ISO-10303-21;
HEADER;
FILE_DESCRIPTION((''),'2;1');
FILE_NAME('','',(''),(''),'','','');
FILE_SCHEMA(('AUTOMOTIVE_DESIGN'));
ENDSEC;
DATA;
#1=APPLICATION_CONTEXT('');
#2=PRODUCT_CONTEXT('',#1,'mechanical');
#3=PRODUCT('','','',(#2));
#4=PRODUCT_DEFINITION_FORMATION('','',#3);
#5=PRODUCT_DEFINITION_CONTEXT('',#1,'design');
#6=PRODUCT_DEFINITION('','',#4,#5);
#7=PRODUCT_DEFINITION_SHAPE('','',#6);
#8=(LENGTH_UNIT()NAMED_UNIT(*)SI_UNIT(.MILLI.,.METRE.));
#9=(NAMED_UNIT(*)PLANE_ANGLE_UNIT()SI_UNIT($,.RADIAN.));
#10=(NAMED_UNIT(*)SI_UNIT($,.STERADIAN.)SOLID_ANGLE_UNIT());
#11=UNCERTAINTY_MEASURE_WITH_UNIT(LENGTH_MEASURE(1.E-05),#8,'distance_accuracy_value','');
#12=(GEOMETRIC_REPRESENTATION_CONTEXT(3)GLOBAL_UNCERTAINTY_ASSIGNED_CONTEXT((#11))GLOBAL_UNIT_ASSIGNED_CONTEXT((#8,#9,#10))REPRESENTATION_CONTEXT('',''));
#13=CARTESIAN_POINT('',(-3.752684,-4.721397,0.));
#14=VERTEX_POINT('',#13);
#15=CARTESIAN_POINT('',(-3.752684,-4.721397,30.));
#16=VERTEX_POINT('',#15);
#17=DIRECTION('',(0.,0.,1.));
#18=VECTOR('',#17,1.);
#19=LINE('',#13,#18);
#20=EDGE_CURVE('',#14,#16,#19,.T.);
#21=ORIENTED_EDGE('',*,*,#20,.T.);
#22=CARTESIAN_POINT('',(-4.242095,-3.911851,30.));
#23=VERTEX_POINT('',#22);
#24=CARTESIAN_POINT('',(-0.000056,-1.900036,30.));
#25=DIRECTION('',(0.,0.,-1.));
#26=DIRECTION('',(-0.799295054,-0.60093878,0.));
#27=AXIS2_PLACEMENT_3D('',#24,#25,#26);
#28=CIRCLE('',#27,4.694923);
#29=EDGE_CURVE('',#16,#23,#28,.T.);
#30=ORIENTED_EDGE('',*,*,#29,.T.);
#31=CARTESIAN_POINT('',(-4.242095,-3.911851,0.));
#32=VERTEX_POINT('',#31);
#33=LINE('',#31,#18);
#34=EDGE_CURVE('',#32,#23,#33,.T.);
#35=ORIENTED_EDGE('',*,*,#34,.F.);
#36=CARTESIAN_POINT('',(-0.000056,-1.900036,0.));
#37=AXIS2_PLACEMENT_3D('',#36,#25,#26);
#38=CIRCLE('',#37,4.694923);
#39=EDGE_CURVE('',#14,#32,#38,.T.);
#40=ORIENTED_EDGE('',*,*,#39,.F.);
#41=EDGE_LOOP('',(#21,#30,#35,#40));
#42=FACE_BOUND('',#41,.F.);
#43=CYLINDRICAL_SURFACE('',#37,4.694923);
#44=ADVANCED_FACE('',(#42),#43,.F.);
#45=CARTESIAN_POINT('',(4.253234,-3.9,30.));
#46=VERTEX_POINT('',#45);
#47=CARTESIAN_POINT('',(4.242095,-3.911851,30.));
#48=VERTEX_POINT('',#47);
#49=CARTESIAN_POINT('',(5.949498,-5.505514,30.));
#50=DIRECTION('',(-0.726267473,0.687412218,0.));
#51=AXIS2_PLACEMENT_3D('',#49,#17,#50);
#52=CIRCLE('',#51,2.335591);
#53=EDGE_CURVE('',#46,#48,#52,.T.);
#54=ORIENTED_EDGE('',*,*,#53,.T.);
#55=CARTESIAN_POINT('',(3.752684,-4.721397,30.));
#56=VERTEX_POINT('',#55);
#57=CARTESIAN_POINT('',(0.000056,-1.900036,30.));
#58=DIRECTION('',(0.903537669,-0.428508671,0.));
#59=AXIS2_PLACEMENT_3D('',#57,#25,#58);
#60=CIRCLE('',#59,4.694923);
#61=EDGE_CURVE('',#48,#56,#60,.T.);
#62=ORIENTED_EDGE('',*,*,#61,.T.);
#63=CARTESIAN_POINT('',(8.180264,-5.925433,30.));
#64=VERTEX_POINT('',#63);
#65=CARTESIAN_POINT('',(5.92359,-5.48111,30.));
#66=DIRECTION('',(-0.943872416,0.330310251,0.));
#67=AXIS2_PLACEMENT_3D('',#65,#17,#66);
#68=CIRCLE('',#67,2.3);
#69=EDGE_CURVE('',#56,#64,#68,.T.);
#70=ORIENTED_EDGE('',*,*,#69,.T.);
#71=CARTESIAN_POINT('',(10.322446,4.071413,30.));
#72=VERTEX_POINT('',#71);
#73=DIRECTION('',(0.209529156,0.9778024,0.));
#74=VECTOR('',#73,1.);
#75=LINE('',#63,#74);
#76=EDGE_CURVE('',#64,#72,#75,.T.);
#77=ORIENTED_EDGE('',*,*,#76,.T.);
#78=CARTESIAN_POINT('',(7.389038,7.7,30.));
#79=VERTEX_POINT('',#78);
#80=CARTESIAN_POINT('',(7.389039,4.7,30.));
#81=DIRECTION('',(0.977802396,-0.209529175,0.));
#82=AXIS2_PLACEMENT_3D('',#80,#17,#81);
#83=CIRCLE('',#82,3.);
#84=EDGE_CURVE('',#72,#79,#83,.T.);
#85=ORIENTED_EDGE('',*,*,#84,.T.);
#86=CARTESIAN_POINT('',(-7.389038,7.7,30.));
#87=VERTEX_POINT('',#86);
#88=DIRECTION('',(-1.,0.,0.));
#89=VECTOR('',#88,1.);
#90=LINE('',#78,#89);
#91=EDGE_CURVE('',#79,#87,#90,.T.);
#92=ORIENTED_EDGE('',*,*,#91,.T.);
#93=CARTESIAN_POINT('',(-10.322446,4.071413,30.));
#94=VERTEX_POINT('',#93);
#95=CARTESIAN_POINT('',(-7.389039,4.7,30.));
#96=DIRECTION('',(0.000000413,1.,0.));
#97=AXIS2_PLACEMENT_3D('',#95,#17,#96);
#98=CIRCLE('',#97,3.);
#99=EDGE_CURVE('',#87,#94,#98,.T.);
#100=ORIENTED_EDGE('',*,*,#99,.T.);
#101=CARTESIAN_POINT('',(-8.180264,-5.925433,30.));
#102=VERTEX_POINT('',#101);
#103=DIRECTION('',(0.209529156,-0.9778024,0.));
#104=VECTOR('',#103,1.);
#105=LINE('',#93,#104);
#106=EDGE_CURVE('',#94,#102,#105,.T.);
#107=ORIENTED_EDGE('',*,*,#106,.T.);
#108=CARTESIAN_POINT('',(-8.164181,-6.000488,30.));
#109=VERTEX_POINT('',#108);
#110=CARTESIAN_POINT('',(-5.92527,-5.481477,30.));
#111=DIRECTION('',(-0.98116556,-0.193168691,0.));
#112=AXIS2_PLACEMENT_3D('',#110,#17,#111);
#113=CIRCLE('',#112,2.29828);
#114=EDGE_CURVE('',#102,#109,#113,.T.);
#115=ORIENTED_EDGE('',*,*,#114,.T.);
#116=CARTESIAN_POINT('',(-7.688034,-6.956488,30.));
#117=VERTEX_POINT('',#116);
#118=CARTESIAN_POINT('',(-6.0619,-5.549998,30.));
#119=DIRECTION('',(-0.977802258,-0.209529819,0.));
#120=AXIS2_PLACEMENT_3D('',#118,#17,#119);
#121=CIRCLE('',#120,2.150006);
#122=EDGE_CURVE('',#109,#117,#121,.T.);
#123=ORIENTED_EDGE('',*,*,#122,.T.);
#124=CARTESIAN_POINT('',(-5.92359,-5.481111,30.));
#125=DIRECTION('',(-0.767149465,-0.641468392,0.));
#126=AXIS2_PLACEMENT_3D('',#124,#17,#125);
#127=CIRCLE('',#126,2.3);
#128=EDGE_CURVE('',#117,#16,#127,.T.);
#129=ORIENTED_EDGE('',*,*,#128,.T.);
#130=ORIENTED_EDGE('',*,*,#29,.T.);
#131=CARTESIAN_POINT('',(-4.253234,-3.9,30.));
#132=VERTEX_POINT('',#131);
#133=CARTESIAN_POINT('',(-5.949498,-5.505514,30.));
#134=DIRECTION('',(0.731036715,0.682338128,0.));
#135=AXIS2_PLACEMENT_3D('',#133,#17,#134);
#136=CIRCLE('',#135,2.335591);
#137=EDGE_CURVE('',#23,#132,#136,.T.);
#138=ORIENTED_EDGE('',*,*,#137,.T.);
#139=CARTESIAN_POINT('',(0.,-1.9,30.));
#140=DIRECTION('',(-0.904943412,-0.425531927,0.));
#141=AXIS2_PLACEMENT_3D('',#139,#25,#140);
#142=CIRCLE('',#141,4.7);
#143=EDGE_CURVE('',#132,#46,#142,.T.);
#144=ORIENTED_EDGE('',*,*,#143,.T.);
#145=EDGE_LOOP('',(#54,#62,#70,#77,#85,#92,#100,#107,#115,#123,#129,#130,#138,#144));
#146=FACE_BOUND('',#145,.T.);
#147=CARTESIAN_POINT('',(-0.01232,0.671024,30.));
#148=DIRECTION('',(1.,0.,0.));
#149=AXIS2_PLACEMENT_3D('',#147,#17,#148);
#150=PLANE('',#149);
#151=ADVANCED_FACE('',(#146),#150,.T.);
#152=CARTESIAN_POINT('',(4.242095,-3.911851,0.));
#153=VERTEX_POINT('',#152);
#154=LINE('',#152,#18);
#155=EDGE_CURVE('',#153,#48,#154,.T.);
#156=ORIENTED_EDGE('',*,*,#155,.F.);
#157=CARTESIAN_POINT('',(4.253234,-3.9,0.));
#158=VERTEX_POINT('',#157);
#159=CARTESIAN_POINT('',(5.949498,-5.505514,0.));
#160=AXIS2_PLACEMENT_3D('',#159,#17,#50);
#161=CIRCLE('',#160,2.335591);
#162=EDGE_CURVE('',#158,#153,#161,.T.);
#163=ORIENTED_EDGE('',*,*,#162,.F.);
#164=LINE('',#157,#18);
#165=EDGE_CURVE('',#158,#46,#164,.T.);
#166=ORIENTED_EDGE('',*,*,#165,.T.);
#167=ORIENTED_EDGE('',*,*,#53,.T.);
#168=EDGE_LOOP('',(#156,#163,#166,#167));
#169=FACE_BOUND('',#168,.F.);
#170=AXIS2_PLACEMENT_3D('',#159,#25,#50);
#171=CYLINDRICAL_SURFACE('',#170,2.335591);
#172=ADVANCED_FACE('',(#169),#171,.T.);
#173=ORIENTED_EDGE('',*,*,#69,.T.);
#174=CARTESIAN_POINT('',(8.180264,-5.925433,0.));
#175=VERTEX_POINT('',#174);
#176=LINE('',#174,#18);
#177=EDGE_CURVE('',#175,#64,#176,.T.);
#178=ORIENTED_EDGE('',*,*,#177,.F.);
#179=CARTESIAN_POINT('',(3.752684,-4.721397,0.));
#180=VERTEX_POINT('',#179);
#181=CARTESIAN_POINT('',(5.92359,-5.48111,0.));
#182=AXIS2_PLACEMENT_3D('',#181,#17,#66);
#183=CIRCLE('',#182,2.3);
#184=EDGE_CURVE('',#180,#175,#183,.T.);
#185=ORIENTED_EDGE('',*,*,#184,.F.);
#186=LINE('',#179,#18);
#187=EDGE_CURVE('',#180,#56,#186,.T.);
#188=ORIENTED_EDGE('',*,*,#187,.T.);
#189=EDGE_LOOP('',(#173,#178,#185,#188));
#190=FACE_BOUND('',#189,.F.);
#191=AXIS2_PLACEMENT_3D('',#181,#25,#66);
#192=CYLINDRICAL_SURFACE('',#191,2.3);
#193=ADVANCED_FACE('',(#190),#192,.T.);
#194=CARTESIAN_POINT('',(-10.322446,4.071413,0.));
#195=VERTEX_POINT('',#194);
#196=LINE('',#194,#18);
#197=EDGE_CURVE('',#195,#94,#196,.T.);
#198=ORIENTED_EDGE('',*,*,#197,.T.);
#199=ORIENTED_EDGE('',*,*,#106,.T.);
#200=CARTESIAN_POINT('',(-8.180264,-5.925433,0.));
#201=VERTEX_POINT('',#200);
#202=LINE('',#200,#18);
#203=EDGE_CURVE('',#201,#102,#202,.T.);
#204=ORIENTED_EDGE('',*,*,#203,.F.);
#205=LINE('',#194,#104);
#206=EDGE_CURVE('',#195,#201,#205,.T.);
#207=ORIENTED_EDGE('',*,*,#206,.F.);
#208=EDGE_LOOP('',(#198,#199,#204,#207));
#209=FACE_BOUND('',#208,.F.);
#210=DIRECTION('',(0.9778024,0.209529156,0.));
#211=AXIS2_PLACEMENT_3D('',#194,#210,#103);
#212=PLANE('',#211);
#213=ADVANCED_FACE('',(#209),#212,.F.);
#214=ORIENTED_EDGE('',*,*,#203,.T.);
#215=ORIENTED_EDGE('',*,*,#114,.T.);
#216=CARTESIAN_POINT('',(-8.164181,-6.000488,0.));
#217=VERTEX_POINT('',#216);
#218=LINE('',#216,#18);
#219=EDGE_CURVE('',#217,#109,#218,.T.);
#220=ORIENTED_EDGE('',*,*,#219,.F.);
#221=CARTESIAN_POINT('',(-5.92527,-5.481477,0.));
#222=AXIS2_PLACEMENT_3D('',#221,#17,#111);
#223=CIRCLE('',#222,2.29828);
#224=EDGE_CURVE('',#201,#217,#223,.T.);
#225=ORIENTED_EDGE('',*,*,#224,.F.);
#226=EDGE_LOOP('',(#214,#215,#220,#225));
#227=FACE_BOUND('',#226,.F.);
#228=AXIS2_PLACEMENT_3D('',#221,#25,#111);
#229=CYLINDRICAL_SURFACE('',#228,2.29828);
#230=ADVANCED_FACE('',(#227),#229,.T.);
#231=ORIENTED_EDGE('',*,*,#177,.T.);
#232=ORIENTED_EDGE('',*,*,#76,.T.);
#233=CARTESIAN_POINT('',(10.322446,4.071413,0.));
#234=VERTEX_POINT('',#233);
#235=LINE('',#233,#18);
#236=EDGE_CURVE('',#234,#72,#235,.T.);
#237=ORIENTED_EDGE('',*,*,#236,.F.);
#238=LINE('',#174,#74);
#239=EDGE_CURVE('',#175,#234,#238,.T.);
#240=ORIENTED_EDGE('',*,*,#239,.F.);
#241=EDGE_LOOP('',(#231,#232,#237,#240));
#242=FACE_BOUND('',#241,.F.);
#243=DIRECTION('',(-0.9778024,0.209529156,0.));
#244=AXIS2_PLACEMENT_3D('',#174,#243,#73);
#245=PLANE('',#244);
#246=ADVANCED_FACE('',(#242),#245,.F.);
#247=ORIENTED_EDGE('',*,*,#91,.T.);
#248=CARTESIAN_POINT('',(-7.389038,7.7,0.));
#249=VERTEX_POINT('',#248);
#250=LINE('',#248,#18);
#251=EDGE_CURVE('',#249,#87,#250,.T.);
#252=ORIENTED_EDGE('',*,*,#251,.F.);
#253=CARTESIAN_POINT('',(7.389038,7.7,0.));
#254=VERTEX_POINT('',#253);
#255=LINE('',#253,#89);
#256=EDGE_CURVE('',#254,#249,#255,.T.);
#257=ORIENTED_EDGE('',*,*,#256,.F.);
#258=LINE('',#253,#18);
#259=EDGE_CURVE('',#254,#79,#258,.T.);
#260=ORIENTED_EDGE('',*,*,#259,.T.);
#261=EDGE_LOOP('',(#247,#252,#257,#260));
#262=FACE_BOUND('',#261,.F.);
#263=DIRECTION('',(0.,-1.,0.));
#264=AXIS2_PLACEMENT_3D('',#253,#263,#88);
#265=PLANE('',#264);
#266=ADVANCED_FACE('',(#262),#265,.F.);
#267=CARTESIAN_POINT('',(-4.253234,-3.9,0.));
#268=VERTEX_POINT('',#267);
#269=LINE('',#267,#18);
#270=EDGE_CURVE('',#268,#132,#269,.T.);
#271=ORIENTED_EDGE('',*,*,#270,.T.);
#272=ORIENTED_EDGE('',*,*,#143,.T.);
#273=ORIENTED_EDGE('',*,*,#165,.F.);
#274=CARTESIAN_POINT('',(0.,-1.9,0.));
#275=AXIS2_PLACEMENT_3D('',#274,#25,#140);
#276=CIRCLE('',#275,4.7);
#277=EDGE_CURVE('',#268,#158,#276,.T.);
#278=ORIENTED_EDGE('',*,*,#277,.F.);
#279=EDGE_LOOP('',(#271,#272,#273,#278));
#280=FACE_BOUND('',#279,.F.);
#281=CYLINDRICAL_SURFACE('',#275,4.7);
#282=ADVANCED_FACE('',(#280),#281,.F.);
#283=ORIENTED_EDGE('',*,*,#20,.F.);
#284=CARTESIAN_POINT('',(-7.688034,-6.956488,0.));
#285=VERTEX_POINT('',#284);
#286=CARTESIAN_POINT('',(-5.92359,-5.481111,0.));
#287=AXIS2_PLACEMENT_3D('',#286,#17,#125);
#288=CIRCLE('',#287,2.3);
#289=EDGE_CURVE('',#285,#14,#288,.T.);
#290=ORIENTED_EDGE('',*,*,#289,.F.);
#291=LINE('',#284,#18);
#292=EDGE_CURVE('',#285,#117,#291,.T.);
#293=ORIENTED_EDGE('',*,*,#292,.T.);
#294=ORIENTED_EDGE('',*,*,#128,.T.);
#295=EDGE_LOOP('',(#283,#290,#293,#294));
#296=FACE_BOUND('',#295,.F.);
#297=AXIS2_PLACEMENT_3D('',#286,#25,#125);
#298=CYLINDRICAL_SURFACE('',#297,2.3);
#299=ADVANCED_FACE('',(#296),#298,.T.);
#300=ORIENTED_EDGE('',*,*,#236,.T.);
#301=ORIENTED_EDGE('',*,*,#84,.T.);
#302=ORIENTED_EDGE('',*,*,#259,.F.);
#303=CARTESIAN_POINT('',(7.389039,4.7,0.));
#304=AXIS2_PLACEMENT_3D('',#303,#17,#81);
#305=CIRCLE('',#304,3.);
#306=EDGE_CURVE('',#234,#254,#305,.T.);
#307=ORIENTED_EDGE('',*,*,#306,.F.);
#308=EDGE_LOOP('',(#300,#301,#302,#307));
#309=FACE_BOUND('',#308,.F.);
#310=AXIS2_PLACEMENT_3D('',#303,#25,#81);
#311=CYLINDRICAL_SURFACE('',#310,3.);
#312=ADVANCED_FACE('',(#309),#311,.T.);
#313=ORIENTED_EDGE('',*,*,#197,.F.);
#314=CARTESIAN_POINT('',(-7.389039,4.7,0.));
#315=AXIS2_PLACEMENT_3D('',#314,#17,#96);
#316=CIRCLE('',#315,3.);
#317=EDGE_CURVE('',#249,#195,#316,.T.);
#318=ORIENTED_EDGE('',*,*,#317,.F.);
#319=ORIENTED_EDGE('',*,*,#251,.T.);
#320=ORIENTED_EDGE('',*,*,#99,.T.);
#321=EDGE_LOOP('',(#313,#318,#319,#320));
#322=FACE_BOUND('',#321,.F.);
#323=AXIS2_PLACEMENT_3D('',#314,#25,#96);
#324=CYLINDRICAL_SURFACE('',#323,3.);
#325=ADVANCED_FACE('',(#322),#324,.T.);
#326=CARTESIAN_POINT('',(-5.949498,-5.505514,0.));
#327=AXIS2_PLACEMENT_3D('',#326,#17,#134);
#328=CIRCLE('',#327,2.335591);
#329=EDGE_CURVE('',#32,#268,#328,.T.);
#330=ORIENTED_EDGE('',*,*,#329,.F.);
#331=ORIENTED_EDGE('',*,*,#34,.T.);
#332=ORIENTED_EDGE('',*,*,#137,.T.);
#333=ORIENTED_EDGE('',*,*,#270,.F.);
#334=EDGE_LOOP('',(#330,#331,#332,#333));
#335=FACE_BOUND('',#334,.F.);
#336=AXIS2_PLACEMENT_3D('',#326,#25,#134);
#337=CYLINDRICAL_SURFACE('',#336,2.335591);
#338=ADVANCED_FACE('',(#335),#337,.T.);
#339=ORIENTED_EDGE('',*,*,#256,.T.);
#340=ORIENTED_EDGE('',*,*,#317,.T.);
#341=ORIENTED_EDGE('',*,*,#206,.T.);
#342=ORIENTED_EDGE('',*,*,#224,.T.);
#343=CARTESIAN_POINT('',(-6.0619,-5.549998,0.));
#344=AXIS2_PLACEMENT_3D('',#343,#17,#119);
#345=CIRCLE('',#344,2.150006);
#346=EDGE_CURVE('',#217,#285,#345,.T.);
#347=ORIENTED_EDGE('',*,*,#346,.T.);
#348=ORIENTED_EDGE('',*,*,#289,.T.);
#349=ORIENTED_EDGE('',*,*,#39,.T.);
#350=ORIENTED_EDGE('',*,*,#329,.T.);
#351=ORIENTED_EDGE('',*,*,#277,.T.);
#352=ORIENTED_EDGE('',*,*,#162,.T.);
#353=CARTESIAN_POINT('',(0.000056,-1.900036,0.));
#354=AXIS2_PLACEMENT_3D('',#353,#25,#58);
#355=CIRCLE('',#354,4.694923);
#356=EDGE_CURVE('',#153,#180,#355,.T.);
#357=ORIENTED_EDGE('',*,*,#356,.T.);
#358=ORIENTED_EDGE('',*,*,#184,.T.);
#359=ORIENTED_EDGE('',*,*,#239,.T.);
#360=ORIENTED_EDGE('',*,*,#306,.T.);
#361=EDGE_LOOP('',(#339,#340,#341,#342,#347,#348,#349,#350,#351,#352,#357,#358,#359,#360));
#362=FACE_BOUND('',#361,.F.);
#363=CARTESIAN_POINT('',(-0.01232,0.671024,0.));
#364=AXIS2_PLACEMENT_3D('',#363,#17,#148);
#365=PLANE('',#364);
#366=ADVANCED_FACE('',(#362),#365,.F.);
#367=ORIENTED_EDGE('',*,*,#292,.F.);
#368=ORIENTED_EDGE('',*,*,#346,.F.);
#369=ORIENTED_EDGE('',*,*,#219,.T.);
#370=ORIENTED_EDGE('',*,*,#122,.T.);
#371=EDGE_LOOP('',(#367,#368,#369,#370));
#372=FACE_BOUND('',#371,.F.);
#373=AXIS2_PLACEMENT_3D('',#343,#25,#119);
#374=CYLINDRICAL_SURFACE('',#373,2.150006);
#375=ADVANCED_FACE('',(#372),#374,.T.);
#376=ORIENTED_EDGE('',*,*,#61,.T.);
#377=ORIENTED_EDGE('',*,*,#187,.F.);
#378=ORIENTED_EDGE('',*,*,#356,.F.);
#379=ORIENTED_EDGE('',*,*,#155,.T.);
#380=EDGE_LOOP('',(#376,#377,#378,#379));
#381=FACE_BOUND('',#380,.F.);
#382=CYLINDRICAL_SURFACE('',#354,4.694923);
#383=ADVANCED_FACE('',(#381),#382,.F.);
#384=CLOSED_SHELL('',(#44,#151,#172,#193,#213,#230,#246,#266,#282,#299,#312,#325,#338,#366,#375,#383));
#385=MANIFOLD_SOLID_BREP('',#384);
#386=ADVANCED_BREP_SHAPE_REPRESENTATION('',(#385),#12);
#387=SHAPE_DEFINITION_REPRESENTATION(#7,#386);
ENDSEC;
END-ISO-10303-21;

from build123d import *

# Parameters (mm, degrees)
F1_DEPTH = 30


with BuildPart() as f1:
    # F0 (on Top) → F1 (new body)
    with BuildSketch(Plane.XY):
        with BuildLine():
            ThreePointArc((3.752684, -4.721397), (5.320047, -7.70051), (8.180264, -5.925433))
            Line((8.180264, -5.925433), (10.322446, 4.071413))
            ThreePointArc((10.322446, 4.071413), (9.722037, 6.586033), (7.389038, 7.7))
            Line((7.389038, 7.7), (-7.389038, 7.7))
            ThreePointArc((-7.389038, 7.7), (-9.722037, 6.586033), (-10.322446, 4.071413))
            Line((-10.322446, 4.071413), (-8.180264, -5.925433))
            Line((-8.180264, -5.925433), (-8.164181, -6.000488))
            ThreePointArc((-8.164181, -6.000488), (-7.982367, -6.506508), (-7.688034, -6.956488))
            ThreePointArc((-7.688034, -6.956488), (-4.787716, -7.481058), (-3.752684, -4.721397))
            ThreePointArc((-3.752684, -4.721397), (-4.017831, -4.328982), (-4.242095, -3.911851))
            ThreePointArc((-4.242095, -3.911851), (-4.247654, -3.905916), (-4.253234, -3.9))
            ThreePointArc((-4.253234, -3.9), (0, 2.8), (4.253234, -3.9))
            ThreePointArc((4.253234, -3.9), (4.247654, -3.905916), (4.242095, -3.911851))
            ThreePointArc((4.242095, -3.911851), (4.017831, -4.328982), (3.752684, -4.721397))
        make_face()
        with BuildLine():
            Line((-8.164181, -6.000488), (-8.180264, -5.925433))
            ThreePointArc((-8.180264, -5.925433), (-8.172536, -5.963027), (-8.164181, -6.000488))
        make_face()
        with BuildLine():
            ThreePointArc((-7.688034, -6.956488), (-7.982367, -6.506508), (-8.164181, -6.000488))
            ThreePointArc((-8.164181, -6.000488), (-7.986414, -6.508524), (-7.688034, -6.956488))
        make_face()
    extrude(amount=F1_DEPTH)


solid = f1.part
